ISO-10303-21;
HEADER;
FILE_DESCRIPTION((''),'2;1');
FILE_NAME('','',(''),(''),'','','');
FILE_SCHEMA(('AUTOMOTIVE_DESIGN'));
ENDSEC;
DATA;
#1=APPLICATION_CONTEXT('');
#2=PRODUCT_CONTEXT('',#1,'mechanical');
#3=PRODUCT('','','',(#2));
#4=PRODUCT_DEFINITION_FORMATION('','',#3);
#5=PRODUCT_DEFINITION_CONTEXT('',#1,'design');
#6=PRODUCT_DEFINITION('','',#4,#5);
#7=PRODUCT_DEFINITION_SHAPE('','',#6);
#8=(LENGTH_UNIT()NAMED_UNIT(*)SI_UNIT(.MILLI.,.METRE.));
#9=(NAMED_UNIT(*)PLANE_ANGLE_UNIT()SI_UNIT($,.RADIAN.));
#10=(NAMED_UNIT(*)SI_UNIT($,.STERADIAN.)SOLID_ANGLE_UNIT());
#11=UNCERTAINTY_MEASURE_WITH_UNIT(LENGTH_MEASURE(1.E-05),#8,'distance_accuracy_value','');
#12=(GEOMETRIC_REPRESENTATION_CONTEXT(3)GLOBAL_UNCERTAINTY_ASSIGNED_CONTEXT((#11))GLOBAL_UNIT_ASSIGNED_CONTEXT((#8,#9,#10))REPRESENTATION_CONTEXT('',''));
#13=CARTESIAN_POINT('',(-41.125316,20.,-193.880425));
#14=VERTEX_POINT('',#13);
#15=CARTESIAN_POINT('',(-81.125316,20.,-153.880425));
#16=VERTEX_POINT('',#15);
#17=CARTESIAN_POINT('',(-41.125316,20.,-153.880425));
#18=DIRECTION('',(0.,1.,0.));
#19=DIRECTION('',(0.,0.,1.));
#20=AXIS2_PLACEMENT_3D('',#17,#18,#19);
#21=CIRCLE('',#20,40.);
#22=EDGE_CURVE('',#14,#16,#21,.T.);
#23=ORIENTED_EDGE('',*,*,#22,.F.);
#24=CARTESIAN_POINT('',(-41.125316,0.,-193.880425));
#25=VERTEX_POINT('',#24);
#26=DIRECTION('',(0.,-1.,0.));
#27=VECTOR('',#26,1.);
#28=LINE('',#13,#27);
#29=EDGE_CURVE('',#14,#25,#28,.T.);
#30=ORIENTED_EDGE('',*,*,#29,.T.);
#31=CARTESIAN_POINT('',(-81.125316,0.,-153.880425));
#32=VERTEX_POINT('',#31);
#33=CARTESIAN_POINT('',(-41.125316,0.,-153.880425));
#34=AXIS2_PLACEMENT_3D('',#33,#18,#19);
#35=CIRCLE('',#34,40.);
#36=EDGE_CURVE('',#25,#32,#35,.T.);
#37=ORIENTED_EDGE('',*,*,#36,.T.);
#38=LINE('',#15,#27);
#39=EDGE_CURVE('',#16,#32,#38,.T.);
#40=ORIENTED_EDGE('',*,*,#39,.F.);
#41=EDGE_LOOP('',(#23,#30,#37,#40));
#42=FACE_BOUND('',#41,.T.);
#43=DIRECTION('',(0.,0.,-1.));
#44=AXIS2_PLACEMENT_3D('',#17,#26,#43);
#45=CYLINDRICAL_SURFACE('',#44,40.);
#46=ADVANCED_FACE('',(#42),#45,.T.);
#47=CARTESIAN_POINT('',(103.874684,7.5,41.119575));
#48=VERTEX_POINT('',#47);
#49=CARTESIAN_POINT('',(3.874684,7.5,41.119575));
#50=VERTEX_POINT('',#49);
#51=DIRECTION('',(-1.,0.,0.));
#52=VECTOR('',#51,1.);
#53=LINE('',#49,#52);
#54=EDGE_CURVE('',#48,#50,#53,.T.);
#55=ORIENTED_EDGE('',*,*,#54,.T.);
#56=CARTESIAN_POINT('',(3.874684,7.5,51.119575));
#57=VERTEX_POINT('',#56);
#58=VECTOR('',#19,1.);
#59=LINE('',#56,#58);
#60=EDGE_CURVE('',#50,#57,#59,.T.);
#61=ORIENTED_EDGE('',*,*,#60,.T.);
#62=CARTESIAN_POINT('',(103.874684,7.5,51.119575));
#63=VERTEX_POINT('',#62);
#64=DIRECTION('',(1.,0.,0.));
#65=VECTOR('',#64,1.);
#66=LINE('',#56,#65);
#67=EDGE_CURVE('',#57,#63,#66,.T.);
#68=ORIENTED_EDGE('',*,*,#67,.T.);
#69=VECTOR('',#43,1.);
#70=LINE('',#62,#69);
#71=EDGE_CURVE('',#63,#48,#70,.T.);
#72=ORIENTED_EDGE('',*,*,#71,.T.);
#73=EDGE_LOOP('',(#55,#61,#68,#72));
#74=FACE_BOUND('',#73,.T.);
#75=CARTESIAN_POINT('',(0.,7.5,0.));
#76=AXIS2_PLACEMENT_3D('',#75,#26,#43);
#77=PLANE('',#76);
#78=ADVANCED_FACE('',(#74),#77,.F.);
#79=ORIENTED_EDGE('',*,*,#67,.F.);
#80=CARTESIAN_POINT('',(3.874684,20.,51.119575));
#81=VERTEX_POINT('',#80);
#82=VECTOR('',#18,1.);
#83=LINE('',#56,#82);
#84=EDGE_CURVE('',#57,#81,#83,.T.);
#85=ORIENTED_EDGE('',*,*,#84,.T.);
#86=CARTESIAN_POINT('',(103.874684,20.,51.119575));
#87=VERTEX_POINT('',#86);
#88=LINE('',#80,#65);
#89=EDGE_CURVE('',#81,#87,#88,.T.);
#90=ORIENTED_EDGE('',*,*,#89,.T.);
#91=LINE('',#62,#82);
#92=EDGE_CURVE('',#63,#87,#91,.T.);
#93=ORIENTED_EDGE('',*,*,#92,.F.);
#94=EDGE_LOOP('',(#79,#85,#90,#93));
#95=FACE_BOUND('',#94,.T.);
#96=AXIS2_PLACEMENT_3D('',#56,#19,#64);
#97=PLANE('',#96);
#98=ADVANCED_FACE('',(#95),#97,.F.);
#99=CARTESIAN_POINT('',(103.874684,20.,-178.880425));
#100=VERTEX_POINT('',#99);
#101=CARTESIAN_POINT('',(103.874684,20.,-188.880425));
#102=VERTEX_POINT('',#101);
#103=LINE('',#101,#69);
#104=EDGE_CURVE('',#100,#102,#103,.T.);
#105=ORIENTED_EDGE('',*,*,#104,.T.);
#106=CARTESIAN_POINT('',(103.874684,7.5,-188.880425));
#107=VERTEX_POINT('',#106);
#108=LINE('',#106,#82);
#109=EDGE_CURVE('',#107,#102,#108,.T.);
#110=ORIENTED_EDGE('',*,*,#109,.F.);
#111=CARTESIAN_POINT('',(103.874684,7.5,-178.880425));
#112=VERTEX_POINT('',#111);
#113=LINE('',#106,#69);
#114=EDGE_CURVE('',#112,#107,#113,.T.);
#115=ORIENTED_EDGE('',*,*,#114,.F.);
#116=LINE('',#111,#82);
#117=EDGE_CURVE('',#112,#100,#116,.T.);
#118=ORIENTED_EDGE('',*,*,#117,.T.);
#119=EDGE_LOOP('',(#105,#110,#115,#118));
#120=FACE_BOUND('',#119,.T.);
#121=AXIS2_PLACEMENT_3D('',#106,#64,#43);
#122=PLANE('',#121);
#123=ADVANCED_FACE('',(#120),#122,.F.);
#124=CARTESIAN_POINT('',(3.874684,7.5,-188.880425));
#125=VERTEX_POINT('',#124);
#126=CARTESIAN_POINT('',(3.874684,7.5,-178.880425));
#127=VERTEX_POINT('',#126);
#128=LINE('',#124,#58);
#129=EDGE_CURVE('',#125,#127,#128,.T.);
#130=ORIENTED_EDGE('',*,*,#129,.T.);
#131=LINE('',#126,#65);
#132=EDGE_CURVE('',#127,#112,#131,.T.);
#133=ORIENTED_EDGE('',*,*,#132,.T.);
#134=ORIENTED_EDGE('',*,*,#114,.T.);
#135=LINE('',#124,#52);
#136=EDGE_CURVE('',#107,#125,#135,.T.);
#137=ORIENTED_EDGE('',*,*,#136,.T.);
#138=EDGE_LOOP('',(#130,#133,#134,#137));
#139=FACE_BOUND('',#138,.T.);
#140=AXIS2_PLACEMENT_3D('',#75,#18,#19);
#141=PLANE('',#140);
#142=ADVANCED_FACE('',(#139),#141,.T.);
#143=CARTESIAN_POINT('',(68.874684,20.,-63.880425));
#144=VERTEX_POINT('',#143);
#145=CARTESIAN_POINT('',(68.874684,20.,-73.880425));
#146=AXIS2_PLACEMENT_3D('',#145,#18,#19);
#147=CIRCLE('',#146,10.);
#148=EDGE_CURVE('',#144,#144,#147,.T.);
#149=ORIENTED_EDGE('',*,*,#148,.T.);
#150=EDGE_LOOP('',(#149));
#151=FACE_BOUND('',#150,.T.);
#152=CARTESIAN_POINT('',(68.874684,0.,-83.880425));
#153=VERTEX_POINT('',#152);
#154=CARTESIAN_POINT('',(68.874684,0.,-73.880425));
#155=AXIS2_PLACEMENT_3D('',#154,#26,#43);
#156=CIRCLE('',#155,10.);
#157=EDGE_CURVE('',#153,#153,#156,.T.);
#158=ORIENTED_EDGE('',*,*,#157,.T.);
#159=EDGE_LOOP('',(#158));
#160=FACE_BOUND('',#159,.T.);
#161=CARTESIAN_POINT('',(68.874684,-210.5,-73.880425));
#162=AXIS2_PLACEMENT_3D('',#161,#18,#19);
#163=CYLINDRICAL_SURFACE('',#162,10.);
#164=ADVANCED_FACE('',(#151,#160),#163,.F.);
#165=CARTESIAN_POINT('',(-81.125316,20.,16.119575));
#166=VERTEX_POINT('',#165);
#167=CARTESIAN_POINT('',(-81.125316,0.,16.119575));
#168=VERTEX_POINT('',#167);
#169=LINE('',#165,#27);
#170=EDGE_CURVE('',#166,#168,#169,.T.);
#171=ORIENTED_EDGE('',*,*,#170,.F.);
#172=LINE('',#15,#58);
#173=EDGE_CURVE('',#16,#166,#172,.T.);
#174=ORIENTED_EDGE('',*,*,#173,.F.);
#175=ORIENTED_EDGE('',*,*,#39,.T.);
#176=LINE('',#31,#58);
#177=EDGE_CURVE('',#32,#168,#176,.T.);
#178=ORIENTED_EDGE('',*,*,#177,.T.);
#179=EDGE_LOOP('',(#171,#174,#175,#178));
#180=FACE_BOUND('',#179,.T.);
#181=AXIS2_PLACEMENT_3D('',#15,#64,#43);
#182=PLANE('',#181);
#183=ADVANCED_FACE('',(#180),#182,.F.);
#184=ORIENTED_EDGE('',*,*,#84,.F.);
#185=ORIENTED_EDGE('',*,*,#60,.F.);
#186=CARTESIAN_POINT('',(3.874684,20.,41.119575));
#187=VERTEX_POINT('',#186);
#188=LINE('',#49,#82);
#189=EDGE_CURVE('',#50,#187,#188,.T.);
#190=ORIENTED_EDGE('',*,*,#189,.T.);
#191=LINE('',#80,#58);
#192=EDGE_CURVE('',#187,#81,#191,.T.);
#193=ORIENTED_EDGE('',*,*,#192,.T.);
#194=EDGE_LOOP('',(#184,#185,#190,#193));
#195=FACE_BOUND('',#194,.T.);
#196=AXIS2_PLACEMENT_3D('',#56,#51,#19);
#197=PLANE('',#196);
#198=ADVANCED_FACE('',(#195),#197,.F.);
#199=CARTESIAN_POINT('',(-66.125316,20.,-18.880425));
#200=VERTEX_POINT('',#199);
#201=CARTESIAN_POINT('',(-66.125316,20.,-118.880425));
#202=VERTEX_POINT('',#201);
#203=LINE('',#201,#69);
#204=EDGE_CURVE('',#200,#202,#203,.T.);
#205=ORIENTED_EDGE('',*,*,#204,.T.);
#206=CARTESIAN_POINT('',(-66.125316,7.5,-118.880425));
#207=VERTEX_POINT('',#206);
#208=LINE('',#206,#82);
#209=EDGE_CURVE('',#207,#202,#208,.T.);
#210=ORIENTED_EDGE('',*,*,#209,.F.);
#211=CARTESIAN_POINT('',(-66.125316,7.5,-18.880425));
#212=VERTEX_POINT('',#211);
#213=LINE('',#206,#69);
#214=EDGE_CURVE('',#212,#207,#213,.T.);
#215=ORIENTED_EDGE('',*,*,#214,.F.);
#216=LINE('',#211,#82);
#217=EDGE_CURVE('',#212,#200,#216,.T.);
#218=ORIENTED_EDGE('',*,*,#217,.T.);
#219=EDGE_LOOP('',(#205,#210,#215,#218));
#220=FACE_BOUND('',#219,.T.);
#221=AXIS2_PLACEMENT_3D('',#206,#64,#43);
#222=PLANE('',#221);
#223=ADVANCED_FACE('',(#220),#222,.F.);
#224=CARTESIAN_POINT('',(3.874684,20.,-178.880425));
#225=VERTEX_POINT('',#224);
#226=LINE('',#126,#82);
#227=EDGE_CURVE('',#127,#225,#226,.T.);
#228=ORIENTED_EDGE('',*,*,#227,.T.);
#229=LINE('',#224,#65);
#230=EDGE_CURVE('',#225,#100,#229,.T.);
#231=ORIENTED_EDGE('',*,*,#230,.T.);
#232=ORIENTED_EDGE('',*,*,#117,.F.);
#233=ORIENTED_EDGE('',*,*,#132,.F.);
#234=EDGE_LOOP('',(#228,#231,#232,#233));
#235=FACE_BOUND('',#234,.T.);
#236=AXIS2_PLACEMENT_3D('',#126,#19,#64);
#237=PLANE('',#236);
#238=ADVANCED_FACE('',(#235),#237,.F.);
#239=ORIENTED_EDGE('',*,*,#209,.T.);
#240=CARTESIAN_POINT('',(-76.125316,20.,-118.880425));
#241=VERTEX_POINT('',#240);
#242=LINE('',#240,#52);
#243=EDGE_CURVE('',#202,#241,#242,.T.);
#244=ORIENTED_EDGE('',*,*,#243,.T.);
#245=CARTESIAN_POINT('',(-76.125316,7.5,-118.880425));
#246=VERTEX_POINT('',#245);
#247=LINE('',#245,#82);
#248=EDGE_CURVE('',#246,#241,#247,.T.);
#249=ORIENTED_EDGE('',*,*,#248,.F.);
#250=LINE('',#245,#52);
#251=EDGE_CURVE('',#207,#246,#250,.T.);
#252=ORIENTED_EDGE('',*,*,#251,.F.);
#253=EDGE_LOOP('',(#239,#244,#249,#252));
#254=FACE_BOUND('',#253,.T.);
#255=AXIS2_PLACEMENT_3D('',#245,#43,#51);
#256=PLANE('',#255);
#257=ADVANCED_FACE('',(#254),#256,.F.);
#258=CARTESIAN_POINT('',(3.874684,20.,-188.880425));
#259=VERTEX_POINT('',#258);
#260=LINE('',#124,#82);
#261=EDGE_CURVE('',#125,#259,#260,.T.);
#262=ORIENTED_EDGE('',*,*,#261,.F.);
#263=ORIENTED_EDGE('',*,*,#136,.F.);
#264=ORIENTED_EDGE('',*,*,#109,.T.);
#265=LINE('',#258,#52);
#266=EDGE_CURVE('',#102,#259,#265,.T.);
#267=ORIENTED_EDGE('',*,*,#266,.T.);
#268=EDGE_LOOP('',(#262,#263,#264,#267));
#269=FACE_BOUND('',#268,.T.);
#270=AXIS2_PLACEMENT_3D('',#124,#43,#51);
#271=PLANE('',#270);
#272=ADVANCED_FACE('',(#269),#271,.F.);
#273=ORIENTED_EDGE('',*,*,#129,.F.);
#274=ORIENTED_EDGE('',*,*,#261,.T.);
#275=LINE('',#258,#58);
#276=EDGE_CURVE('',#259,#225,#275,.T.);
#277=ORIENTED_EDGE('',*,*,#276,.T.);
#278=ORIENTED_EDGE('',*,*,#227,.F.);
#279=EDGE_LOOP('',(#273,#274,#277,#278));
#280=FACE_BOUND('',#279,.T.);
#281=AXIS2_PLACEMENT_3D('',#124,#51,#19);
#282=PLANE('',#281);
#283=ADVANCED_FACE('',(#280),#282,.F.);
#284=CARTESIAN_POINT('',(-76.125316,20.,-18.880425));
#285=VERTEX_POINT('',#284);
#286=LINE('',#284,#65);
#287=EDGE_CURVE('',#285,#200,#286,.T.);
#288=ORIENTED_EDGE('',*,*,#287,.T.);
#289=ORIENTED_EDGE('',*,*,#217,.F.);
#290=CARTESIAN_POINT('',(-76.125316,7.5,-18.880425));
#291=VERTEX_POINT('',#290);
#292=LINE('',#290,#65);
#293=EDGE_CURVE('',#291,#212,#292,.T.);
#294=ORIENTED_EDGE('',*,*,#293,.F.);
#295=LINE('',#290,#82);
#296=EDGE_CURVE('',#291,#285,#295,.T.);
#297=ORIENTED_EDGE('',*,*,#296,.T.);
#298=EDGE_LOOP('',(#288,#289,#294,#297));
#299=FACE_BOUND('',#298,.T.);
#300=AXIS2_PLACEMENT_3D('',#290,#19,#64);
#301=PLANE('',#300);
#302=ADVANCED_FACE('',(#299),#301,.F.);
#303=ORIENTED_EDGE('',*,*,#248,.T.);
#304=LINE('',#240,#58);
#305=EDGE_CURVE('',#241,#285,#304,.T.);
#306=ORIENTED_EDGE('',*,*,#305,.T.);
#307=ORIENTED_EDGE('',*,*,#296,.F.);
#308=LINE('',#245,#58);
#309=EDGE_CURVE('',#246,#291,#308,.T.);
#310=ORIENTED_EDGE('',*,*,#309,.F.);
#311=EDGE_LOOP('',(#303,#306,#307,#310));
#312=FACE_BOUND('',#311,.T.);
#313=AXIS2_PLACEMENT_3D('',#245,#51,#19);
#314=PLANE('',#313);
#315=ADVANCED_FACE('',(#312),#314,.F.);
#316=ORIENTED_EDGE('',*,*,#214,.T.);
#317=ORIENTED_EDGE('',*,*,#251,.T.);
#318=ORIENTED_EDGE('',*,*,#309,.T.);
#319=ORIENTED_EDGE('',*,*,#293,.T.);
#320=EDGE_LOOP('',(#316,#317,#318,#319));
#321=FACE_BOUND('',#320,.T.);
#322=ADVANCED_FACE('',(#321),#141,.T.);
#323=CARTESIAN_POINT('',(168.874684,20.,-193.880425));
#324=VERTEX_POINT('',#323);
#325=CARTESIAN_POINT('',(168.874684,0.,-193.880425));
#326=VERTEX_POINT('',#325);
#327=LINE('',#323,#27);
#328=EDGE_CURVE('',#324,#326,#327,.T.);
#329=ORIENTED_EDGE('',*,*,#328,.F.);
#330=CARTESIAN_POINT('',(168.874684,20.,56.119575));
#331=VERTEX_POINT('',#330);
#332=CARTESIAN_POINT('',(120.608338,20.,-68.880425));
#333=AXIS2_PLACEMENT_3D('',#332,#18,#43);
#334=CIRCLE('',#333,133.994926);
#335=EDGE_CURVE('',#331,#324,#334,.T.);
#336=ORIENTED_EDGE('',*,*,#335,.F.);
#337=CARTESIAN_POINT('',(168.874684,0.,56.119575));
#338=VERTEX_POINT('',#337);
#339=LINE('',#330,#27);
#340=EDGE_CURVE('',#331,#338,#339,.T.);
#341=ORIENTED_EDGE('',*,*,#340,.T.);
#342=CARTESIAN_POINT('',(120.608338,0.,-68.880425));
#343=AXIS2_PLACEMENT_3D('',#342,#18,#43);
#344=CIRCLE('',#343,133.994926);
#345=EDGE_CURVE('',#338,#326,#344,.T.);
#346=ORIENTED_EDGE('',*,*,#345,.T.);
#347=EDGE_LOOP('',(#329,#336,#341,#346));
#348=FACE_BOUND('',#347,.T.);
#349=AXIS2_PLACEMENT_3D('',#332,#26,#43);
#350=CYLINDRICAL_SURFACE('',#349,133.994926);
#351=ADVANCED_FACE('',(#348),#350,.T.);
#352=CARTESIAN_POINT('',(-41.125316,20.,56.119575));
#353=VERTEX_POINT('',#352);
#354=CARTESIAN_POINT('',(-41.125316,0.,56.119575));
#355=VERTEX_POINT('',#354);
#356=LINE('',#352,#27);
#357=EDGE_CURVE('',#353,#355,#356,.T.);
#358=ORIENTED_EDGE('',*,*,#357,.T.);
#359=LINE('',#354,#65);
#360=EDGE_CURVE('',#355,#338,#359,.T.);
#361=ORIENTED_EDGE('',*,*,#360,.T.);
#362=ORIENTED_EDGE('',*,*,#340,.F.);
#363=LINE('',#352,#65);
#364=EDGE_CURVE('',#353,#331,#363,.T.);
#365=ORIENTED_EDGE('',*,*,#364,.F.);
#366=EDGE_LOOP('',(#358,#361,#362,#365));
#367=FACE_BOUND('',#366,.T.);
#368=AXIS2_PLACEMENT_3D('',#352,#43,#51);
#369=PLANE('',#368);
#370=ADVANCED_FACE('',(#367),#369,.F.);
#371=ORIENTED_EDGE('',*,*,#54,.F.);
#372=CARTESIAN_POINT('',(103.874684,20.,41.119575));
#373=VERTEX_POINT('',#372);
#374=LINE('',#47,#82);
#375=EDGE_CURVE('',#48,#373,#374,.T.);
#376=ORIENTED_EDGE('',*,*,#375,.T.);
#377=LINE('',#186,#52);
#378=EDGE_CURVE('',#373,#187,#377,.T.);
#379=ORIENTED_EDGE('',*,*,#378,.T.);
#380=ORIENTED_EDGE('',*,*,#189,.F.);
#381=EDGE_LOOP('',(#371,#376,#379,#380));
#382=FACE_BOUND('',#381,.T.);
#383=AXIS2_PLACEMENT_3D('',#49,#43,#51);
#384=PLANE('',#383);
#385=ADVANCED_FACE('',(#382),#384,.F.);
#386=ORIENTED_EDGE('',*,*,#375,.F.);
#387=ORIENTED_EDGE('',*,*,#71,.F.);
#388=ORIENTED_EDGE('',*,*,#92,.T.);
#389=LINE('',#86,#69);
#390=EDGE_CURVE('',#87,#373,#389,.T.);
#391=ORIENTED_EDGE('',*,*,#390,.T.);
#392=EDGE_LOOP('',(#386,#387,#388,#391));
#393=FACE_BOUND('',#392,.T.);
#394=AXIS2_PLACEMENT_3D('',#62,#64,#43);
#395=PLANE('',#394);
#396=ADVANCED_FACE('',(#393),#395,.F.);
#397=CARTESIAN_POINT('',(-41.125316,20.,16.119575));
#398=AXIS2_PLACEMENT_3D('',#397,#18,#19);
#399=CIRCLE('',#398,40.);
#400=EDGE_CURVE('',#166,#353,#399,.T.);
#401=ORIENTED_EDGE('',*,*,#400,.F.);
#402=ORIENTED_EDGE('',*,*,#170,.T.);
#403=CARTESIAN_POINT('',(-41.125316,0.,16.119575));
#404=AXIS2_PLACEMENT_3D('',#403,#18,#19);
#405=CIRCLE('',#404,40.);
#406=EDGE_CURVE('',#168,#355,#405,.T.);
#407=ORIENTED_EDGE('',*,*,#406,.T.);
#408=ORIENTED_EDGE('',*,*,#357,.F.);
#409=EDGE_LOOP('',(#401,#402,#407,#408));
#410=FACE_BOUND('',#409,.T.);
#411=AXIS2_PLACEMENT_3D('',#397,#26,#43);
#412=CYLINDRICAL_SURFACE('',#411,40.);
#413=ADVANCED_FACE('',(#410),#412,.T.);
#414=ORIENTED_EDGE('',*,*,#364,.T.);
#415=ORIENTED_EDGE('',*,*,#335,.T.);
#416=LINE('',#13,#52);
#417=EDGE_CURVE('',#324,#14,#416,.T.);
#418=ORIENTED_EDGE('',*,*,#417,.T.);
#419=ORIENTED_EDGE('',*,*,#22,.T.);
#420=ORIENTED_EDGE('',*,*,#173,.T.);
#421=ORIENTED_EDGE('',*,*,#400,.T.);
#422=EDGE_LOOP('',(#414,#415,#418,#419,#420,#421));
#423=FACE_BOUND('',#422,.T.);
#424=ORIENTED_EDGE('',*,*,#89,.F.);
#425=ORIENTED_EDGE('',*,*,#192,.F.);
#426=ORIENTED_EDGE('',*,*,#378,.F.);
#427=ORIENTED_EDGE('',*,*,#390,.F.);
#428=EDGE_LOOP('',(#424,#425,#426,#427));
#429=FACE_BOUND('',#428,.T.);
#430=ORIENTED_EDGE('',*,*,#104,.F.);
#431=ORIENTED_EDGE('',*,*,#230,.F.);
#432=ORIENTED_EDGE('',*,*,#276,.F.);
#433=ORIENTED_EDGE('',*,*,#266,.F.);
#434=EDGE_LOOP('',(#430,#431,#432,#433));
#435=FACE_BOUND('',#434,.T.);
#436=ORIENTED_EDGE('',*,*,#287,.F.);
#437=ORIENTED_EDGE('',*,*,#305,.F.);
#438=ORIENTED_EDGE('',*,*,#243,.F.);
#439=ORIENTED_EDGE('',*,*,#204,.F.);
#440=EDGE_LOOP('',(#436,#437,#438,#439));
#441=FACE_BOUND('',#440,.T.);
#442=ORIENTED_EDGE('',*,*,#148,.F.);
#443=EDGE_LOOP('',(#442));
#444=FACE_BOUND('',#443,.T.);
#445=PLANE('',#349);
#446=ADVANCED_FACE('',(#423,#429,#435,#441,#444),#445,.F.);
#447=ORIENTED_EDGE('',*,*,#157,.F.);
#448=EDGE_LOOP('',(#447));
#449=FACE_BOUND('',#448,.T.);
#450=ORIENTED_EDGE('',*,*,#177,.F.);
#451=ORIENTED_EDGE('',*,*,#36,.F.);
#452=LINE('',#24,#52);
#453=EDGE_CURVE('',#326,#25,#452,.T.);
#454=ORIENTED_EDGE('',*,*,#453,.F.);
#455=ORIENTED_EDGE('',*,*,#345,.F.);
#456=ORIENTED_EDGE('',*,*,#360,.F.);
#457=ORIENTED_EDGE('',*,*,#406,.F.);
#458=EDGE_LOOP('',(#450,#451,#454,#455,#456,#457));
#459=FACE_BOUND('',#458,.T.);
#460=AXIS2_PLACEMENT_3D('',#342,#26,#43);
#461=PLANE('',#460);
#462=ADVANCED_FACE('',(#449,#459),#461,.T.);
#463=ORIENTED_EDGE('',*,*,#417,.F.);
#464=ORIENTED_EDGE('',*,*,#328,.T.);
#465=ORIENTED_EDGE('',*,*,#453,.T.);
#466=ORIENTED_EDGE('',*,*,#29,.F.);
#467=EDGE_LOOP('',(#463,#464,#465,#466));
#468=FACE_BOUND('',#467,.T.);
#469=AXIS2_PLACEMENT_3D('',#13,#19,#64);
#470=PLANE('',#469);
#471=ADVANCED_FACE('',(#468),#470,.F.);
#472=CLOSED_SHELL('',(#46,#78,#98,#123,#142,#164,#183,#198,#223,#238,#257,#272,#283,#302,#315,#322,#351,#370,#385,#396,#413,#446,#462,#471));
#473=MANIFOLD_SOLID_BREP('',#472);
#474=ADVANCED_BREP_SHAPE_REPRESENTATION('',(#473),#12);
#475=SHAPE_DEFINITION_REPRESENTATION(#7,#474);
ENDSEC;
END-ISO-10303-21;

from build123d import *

# Parameters (mm, degrees)
Y_KSEKLIK_EKSTR_ZYON1_DEPTH = 20
IZIM2_W                     = 100
IZIM2_H                     = 10
IZIM2_W_2                   = 10
IZIM2_H_2                   = 100
KES_EKSTR_ZYON1_DEPTH       = 12.5
IZIM4_R                     = 10
KES_EKSTR_ZYON2_DEPTH       = 230.5


with BuildPart() as part:
    # Çizim1 → Yükseklik-Ekstrüzyon1 (new body)
    with BuildSketch(Plane(origin=(0, 0, 0), x_dir=(1, 0, 0), z_dir=(0, 1, 0))):
        with BuildLine():
            Line((-41.125316458, 193.880424863), (168.874683542, 193.880424863))
            ThreePointArc((168.874683542, 193.880424863), (254.603263886, 68.880424863), (168.874683542, -56.119575137))
            Line((168.874683542, -56.119575137), (-41.125316458, -56.119575137))
            ThreePointArc((-41.125316458, -56.119575137), (-69.409587706, -44.403846384), (-81.125316458, -16.119575137))
            Line((-81.125316458, -16.119575137), (-81.125316458, 153.880424863))
            ThreePointArc((-81.125316458, 153.880424863), (-69.409587706, 182.16469611), (-41.125316458, 193.880424863))
        make_face()
    extrude(amount=Y_KSEKLIK_EKSTR_ZYON1_DEPTH)

    # Çizim2 → Kes-Ekstrüzyon1 (cut)
    with BuildSketch(Plane(origin=(0, 20, 0), x_dir=(1, 0, 0), z_dir=(0, 1, 0))):
        with Locations((53.874683542, 183.880424863)):
            Rectangle(IZIM2_W, IZIM2_H)
        with Locations((-71.125316458, 68.880424863)):
            Rectangle(IZIM2_W_2, IZIM2_H_2)
        with Locations((53.874683542, -46.119575137)):
            Rectangle(IZIM2_W, IZIM2_H)
    extrude(amount=-KES_EKSTR_ZYON1_DEPTH, mode=Mode.SUBTRACT)

    # Çizim4 → Kes-Ekstrüzyon2 (cut)
    with BuildSketch(Plane(origin=(0, 20, 0), x_dir=(1, 0, 0), z_dir=(0, 1, 0))):
        with Locations((68.874683542, 73.880424863)):
            Circle(IZIM4_R)
    extrude(amount=-KES_EKSTR_ZYON2_DEPTH, mode=Mode.SUBTRACT)


solid = part.part
